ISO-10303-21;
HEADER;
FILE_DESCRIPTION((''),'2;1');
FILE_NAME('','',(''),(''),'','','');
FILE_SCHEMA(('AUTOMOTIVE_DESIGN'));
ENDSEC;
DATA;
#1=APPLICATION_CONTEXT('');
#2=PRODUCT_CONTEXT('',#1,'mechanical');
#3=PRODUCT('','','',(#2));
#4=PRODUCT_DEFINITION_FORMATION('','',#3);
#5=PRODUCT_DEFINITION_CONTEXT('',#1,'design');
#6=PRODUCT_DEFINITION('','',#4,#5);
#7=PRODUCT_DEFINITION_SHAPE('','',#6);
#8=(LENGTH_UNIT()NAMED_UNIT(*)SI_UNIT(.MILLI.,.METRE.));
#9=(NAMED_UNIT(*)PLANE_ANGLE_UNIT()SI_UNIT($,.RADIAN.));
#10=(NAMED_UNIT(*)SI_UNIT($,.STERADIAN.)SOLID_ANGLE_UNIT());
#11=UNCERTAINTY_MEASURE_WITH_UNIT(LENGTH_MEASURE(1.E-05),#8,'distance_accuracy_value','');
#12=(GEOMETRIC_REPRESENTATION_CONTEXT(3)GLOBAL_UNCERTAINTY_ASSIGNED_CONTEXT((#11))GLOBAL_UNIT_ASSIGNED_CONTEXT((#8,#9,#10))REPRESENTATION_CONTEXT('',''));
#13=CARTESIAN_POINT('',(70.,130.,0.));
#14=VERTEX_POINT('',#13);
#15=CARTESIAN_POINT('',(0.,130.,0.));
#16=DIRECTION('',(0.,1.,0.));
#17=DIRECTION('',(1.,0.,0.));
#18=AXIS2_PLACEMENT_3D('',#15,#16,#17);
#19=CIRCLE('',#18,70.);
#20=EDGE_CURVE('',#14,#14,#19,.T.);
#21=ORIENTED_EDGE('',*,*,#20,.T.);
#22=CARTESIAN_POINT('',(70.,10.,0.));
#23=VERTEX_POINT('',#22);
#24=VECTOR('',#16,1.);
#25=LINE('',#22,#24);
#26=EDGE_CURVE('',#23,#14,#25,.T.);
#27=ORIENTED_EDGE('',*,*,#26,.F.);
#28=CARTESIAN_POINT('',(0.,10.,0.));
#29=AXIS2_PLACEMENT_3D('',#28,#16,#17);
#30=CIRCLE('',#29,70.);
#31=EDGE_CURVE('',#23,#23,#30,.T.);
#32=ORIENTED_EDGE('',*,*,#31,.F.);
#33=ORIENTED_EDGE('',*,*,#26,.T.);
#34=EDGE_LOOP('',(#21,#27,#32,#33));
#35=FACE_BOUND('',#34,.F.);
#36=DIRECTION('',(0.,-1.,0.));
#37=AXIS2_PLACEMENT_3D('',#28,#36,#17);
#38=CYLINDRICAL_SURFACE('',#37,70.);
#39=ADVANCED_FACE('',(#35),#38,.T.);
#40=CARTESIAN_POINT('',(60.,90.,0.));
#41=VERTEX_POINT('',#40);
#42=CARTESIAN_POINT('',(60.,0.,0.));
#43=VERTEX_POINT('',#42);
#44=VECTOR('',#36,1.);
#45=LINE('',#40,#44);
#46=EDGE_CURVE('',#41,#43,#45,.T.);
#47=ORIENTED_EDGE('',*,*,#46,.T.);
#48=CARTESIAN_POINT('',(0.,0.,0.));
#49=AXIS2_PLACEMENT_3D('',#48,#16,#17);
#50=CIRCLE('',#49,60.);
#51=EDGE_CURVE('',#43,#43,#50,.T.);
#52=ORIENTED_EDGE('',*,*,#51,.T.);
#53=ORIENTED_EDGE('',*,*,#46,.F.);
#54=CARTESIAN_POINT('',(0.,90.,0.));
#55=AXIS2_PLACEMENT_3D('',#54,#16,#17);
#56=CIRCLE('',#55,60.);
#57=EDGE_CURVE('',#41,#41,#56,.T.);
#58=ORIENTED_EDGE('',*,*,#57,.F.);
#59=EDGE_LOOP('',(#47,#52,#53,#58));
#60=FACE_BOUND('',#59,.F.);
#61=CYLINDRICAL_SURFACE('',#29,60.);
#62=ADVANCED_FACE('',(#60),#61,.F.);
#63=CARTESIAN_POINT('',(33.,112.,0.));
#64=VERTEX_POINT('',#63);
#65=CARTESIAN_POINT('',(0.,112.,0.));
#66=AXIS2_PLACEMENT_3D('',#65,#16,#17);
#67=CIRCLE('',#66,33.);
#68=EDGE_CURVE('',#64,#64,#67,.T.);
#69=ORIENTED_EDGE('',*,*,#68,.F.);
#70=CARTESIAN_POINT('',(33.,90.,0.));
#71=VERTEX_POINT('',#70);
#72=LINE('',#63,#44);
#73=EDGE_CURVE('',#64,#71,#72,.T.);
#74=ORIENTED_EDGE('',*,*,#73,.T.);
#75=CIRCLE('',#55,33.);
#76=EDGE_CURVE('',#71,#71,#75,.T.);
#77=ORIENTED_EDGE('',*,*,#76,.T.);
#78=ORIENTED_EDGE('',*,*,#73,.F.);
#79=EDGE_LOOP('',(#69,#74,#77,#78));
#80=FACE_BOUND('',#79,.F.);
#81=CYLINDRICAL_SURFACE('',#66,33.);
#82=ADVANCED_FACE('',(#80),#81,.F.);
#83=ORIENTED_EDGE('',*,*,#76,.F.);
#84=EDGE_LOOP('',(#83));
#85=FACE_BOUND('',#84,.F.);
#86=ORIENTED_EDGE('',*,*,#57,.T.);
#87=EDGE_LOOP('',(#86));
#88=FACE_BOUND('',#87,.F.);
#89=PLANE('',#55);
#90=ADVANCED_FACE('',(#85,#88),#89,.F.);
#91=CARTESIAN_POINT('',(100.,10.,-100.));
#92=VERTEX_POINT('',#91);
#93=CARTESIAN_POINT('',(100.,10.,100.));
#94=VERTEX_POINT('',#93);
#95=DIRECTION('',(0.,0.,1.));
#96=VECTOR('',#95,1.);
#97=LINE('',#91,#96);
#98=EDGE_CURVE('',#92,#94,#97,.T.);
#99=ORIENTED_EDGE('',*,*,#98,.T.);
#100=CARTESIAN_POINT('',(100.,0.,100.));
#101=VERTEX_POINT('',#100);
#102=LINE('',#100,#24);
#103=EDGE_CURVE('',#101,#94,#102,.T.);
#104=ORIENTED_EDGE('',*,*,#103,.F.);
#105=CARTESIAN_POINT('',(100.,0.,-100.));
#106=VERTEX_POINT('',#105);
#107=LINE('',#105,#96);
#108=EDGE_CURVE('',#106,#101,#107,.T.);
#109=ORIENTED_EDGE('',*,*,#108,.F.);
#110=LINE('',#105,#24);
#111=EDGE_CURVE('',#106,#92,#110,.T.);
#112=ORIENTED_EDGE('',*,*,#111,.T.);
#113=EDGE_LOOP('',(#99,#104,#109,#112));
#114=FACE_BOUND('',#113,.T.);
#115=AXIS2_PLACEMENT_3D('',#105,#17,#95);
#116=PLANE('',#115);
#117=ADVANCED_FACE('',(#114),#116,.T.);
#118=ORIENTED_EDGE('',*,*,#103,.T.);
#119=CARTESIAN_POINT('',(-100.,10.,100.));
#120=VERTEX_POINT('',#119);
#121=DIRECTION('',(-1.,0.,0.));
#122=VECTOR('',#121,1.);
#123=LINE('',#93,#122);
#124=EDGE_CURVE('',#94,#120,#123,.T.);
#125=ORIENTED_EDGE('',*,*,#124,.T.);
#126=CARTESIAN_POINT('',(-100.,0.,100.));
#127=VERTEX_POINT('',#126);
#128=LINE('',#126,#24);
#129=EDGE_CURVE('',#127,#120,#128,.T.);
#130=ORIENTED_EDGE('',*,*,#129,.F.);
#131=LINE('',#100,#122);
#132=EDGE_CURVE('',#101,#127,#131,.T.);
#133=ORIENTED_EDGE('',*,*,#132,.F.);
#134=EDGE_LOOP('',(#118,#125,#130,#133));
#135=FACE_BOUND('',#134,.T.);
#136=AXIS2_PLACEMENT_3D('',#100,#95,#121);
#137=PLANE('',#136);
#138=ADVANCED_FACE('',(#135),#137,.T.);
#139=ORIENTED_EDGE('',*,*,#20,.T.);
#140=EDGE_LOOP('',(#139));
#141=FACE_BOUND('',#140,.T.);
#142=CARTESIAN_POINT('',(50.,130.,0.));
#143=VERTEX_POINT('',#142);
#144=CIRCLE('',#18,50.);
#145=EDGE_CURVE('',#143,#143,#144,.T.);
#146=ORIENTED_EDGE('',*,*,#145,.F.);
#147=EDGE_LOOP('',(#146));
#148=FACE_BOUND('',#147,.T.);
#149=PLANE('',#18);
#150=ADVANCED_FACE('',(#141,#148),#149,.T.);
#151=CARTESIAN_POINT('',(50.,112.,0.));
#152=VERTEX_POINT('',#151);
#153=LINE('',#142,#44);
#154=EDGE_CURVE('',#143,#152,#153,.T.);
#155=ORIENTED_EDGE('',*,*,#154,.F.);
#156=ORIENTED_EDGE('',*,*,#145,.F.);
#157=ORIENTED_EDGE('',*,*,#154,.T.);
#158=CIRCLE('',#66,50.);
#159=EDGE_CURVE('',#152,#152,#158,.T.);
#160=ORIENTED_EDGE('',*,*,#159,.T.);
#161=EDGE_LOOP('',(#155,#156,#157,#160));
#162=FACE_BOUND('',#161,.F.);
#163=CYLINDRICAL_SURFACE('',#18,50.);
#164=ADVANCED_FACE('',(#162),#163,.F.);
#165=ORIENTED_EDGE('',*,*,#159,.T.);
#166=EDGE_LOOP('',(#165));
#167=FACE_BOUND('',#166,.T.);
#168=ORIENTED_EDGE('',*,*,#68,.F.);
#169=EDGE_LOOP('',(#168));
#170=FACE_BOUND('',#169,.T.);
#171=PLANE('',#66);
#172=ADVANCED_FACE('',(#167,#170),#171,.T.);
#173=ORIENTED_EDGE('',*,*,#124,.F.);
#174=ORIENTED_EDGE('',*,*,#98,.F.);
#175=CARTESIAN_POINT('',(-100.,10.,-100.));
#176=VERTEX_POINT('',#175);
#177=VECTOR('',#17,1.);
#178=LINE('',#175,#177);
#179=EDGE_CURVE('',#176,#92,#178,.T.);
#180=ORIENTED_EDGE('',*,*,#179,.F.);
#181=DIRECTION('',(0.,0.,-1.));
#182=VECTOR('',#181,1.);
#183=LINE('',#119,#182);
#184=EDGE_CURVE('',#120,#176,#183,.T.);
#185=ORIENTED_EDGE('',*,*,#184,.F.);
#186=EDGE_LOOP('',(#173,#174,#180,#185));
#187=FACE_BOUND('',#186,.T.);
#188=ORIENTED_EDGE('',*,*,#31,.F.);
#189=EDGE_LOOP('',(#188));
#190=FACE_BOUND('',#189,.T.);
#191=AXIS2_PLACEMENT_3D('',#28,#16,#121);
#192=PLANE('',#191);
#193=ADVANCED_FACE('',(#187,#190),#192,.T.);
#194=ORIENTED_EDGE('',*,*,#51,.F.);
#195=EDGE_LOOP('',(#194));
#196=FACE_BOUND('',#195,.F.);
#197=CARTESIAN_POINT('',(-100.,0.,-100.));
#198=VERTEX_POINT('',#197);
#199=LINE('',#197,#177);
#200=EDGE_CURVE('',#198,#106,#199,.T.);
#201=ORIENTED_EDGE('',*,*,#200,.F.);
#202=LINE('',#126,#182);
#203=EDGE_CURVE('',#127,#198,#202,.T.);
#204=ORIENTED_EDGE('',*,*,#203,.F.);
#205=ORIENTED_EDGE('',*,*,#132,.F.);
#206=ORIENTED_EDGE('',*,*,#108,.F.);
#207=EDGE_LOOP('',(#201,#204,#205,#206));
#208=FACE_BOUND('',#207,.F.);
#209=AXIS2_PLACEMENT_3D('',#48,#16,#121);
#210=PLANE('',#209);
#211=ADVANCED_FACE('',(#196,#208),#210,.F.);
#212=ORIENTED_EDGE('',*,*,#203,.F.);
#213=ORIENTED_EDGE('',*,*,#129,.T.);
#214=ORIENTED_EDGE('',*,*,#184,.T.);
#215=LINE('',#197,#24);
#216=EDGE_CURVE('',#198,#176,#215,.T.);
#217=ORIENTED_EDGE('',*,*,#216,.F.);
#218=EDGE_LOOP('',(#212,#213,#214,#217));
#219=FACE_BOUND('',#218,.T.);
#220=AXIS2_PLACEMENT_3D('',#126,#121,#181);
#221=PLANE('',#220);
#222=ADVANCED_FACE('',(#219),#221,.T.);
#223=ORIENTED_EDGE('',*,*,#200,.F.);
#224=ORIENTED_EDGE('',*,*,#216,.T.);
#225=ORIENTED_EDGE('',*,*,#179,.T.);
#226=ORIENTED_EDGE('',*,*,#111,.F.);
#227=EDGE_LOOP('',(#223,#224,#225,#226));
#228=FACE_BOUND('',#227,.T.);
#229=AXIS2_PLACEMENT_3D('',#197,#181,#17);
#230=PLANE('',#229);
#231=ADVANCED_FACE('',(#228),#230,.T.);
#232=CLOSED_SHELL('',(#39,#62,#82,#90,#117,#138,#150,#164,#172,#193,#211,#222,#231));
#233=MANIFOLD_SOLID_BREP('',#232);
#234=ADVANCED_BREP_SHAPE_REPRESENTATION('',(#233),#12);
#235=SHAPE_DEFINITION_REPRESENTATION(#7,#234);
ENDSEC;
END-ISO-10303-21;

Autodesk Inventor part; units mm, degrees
ref_plane "YZ Plane" through (0, 0, 0) normal (1, 0, 0) x (0, 1, 0)
ref_plane "XZ Plane" through (0, 0, 0) normal (0, 1, 0) x (-1, 0, 0)
ref_plane "XY Plane" through (0, 0, 0) normal (0, 0, 1) x (1, 0, 0)
sketch "Sketch1" plane through (0, 0, 0) normal (0, 1, 0) x (-1, 0, 0)
  line L0 (-100, 100) -> (100, 100)
  line L1 (100, 100) -> (100, -100)
  line L2 (100, -100) -> (-100, -100)
  line L3 (-100, -100) -> (-100, 100)
  line L4 (-100, 100) -> (100, -100) construction
  line L5 (100, 100) -> (-100, -100) construction
  point P0 (0, 0)
  dimension "d0" = 200
  dimension "d1" = 200
extrude "podstawa na mocowanie" add sketch "Sketch1" along normal blind 10
sketch "Sketch2" plane through (0, 10, 0) normal (0, 1, 0) x (1, 0, 0)
  circle A0 centre (0, 0) radius 70
  circle A1 centre (0, 0) radius 60
  dimension "d4" = 140
  dimension "d5" = 120
extrude "trzon c0" add sketch "Sketch2" along normal blind 120
sketch "Sketch5" plane through (0, 10, 0) normal (0, 1, 0) x (1, 0, 0)
  circle A0 centre (0, 0) radius 60 projected
  circle A1 centre (0, 0) radius 60
  dimension "d19" = 120
extrude "wneka na silnik c0" cut sketch "Sketch5" against normal blind 10
sketch "Sketch6" plane through (0, 130, 0) normal (0, 1, 0) x (1, 0, 0)
  circle A0 centre (0, 0) radius 60
  dimension "d20" = 120
extrude "powierzchnia nosna dla c1" add sketch "Sketch6" against normal blind 40
sketch "Sketch8" plane through (0, 130, 0) normal (0, 1, 0) x (1, 0, 0)
  circle A0 centre (0, 0) radius 50
  dimension "d13" = 100
extrude "wneka na łożysko R0" cut sketch "Sketch8" against normal blind 18
sketch "Sketch9" plane through (0, 112, 0) normal (0, 1, 0) x (1, 0, 0)
  circle A0 centre (0, 0) radius 33
  dimension "d16" = 66
extrude "dziura na wal c1" cut sketch "Sketch9" against normal blind 22
properties part number "C0" material "Aluminum 6061"
